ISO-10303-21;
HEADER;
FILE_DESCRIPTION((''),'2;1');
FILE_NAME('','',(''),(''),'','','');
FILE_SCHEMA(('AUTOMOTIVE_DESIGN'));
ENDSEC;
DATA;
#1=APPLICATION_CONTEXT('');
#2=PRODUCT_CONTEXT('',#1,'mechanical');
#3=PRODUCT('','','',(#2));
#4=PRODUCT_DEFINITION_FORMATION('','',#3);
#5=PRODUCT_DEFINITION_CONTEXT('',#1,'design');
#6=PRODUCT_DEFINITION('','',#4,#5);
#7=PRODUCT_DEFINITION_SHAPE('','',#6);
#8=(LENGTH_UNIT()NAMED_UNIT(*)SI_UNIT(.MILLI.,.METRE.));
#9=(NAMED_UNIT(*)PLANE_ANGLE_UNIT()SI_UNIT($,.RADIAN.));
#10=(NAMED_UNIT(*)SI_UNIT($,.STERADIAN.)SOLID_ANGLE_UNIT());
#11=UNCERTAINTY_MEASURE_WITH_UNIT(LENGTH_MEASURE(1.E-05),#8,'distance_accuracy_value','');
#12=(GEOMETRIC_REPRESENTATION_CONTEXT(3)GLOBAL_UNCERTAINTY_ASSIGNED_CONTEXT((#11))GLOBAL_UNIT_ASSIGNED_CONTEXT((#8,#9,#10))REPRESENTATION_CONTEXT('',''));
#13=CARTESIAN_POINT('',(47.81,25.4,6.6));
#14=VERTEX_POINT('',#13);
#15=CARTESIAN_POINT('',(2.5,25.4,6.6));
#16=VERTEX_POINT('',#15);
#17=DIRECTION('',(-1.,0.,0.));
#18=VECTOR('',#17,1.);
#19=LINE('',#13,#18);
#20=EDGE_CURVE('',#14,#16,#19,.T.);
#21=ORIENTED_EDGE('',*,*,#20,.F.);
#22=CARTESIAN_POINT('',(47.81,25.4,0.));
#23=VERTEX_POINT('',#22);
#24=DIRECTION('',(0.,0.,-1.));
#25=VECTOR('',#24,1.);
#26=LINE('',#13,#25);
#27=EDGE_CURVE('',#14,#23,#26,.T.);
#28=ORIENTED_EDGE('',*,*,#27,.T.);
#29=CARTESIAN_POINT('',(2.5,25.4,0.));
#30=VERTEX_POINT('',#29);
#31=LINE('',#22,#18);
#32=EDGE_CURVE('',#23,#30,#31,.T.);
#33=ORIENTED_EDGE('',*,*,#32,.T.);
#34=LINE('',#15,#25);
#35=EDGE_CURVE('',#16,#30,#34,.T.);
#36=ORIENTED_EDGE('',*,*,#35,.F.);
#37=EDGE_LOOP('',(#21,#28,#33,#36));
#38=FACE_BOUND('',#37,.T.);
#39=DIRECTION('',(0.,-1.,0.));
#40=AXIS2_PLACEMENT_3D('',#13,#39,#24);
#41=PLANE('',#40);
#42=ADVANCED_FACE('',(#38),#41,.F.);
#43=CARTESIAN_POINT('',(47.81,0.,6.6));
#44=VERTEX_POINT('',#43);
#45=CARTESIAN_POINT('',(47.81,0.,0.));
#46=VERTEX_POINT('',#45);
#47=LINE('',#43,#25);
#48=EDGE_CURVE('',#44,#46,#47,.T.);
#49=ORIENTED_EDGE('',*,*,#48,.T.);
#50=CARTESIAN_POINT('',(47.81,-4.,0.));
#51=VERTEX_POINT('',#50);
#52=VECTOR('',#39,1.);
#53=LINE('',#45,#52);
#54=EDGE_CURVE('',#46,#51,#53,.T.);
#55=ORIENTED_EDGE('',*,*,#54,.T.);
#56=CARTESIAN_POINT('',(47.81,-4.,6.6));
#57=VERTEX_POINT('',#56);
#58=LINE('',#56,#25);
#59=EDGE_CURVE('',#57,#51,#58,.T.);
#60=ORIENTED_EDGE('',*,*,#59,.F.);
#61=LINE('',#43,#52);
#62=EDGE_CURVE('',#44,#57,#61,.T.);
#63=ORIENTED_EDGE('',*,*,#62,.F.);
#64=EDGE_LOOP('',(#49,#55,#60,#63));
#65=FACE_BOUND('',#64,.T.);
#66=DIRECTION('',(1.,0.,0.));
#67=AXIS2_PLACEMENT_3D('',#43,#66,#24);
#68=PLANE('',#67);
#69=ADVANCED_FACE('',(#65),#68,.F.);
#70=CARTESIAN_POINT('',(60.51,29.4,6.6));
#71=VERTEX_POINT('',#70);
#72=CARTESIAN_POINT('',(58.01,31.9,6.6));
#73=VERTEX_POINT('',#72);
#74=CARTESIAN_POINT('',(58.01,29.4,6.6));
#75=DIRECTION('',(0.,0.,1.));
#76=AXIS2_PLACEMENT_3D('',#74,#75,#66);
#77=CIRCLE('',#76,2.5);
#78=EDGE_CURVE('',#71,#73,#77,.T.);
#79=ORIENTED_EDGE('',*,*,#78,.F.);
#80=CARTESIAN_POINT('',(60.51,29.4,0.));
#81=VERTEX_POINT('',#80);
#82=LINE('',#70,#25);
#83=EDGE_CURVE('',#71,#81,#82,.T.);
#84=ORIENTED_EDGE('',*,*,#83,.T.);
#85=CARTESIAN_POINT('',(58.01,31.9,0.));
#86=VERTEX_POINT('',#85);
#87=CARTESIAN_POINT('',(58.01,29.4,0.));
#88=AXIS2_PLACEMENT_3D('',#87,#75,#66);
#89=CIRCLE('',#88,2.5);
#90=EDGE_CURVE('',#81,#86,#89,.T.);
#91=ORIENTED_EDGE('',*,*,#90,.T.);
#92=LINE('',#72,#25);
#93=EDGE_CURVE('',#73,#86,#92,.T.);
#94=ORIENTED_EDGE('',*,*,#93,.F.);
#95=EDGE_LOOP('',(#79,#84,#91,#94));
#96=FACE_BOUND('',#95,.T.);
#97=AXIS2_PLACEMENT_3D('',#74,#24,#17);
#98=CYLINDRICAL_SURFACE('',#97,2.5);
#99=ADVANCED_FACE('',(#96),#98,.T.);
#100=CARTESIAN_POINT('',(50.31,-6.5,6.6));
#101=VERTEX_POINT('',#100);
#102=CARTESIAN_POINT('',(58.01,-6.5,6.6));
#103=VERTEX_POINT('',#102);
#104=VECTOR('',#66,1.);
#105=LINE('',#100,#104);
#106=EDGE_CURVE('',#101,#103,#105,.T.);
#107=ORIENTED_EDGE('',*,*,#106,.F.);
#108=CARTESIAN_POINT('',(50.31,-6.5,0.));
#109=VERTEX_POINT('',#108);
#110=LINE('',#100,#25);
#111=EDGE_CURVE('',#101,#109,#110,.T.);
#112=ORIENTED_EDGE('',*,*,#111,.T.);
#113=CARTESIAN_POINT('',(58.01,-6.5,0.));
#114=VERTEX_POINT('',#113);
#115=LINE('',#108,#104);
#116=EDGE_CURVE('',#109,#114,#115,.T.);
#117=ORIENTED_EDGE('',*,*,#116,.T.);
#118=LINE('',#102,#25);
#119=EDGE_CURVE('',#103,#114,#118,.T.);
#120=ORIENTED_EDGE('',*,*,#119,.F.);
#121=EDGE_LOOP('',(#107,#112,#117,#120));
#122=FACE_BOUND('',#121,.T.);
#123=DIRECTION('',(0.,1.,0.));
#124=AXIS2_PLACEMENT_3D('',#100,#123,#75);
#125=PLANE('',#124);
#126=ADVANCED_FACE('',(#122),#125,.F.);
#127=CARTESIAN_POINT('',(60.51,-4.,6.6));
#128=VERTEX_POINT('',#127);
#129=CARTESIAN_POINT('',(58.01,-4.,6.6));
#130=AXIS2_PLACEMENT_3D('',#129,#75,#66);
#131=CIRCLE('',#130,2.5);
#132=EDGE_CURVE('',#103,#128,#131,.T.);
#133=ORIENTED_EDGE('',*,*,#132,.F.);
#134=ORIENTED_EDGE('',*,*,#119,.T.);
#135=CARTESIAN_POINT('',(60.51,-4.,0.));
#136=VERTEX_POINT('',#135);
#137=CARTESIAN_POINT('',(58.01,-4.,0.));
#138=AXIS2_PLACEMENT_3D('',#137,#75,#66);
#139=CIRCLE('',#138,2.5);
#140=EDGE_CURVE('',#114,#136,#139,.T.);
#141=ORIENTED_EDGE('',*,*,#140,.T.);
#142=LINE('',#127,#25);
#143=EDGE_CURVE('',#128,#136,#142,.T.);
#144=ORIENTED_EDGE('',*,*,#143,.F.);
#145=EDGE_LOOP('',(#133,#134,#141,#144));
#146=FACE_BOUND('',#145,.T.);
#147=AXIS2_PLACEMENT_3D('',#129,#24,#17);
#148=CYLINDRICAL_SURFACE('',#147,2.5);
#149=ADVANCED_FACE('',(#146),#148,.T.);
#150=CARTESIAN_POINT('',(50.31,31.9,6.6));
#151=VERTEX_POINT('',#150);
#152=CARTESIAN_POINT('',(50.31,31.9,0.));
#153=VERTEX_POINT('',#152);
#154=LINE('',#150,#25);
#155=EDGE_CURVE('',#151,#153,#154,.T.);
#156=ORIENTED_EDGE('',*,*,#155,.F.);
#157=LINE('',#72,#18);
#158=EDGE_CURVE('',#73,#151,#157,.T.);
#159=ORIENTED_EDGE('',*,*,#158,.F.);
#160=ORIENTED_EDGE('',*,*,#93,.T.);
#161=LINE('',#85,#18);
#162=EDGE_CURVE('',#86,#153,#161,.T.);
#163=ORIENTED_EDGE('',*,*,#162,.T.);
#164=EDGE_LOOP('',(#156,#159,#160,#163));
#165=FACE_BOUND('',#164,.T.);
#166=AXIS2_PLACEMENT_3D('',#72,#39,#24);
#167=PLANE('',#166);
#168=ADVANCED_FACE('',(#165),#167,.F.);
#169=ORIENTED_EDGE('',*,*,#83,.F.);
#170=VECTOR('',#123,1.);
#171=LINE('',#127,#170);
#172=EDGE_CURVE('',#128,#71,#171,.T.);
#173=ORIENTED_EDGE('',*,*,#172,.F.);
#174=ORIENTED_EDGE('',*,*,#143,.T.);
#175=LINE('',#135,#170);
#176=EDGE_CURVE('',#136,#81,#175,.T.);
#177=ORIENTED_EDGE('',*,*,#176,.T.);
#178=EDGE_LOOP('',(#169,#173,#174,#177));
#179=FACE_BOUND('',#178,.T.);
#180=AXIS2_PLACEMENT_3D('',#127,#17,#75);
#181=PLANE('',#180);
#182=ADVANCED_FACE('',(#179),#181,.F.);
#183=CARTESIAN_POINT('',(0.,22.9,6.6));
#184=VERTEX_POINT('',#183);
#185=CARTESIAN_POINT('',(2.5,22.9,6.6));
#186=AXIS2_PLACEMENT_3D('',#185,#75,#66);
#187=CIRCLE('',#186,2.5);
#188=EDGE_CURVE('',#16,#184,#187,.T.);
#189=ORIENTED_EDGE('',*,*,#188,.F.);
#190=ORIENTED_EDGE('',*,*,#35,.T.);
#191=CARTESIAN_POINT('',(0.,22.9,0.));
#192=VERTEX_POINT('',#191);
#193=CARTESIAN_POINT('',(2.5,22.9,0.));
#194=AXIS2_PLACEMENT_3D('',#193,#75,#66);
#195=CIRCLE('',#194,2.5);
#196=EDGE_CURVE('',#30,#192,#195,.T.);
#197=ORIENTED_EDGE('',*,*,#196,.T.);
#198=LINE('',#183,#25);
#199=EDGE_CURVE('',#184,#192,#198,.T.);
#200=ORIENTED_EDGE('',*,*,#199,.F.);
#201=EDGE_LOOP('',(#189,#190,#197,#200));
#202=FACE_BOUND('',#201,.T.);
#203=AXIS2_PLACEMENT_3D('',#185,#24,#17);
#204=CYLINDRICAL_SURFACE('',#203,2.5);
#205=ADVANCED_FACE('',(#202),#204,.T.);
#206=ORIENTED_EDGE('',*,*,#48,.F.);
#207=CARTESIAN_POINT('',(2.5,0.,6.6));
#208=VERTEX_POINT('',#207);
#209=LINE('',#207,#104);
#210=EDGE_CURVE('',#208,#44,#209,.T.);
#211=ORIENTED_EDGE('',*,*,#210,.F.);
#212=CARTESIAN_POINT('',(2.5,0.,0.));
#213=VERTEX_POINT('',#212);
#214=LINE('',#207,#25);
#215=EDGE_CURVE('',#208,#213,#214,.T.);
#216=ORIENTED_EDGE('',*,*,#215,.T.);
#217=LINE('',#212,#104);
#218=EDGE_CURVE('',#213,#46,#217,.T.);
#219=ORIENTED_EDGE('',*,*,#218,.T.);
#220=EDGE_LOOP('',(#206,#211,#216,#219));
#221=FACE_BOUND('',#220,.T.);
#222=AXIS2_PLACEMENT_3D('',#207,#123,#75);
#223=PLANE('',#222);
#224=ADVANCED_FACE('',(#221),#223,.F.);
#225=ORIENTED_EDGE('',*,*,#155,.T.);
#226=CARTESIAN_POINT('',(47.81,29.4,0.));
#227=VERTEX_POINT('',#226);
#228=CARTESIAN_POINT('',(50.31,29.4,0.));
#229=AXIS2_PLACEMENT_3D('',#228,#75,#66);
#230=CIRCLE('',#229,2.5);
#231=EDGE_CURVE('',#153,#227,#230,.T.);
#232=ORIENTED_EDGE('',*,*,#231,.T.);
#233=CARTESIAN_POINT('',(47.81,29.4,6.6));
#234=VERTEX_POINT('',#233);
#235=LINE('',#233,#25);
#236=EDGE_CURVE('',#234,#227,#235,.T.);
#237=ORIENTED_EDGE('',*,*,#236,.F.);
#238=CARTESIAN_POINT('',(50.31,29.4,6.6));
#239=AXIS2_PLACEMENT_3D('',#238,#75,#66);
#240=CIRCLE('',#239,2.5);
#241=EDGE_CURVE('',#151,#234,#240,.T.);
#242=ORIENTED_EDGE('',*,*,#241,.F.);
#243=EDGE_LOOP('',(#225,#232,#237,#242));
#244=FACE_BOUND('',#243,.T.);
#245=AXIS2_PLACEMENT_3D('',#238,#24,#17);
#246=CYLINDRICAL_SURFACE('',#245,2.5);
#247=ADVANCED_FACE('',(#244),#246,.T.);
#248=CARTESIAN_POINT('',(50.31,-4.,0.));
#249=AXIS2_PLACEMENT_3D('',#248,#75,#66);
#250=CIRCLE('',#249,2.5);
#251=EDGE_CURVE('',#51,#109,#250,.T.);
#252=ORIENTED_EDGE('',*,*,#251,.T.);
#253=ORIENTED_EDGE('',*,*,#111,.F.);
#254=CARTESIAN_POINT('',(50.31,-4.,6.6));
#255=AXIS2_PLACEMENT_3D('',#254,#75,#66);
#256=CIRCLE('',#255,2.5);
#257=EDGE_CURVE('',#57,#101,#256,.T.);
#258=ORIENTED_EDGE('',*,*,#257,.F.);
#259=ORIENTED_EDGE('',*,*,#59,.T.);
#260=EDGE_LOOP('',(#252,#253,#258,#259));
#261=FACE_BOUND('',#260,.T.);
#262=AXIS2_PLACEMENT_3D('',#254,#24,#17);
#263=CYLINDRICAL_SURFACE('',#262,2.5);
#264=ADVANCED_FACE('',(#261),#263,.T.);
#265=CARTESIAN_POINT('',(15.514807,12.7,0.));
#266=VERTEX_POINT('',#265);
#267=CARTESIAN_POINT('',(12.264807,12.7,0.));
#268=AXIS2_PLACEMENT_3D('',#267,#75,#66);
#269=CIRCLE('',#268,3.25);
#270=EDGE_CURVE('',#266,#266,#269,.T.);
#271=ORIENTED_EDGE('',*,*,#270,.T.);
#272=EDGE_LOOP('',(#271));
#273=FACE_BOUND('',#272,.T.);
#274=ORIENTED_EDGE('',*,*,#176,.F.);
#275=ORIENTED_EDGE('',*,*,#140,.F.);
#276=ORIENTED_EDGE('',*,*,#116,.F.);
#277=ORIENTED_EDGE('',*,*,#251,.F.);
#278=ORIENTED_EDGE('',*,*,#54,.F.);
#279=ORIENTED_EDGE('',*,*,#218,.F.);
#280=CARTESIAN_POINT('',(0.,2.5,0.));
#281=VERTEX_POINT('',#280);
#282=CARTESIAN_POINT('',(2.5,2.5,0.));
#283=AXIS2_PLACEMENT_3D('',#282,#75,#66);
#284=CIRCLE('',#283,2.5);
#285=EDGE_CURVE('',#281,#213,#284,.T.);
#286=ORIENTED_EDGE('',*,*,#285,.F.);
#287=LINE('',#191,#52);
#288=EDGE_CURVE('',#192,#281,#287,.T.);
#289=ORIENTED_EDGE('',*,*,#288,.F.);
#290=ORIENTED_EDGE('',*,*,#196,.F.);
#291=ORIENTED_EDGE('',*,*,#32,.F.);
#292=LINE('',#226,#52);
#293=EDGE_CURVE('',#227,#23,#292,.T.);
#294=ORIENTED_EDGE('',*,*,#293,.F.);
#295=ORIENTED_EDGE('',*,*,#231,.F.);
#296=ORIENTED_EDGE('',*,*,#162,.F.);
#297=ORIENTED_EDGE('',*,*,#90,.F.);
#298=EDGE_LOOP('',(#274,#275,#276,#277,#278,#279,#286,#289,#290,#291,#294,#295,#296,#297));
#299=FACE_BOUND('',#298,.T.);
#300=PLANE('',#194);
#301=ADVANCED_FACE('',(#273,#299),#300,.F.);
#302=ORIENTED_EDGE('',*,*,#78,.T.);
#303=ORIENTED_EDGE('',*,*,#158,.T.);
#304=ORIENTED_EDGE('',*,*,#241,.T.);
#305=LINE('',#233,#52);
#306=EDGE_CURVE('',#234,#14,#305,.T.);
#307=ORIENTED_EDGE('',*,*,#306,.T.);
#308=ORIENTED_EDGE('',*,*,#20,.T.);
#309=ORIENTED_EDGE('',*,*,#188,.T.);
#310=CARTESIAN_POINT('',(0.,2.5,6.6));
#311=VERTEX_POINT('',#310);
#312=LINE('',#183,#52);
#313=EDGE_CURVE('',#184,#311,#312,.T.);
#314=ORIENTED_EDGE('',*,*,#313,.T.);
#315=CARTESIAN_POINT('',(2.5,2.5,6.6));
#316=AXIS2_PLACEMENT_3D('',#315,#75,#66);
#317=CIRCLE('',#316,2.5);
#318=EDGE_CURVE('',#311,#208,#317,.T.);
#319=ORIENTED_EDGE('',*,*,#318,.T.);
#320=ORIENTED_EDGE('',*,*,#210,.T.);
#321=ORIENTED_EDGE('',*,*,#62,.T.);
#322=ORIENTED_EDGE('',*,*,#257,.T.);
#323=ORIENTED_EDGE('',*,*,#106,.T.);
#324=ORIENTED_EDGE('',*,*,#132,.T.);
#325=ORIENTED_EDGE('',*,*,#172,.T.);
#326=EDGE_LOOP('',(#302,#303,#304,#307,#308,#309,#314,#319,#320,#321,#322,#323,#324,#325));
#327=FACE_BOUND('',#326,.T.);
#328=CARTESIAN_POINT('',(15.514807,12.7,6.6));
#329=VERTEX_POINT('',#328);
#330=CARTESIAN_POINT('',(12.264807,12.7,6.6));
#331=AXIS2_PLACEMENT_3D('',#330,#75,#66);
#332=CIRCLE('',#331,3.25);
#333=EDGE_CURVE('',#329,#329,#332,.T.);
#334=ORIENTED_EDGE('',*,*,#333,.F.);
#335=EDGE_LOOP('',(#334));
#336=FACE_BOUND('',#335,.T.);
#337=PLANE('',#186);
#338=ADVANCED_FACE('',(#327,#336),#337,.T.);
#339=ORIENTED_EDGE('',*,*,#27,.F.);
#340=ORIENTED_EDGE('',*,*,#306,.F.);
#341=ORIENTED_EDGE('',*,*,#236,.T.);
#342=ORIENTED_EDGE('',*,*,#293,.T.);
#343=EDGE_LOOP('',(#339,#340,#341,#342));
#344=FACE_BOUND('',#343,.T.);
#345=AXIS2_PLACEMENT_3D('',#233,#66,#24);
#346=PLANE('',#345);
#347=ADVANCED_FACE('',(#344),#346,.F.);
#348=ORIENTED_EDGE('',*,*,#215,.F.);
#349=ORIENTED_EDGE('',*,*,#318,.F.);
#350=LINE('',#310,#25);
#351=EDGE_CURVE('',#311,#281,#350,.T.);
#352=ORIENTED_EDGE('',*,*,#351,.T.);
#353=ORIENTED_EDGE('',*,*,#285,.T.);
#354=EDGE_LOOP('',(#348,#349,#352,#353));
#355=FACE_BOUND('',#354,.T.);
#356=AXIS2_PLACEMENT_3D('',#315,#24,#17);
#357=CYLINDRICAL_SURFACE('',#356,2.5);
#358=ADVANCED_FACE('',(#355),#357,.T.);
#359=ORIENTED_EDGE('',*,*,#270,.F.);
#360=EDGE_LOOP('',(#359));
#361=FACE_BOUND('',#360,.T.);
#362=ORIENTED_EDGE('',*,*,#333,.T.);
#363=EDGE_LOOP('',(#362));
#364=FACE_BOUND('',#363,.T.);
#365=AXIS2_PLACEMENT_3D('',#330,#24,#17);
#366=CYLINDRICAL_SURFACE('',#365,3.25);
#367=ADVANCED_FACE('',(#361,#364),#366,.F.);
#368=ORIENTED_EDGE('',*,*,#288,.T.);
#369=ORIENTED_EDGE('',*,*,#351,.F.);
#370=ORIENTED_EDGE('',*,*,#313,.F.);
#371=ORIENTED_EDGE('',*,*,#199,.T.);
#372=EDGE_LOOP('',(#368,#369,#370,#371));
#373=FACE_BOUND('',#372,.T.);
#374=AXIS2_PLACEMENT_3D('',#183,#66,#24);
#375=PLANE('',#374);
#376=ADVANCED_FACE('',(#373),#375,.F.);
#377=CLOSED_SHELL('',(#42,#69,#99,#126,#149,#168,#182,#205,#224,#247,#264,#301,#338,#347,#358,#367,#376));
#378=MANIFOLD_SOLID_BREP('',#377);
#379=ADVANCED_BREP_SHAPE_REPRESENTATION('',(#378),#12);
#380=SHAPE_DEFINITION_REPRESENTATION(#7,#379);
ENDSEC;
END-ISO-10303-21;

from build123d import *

# Parameters (mm, degrees)
MODEL_R             = 3.25
BOSS_EXTRUDE1_DEPTH = 6.6


with BuildPart() as part:
    # Model → Boss-Extrude1 (new body)
    with BuildSketch(Plane.XY):
        with BuildLine():
            Line((58.01, 31.9), (50.31, 31.9))
            ThreePointArc((50.31, 31.9), (48.542233047, 31.167766953), (47.81, 29.4))
            Line((47.81, 29.4), (47.81, 25.4))
            Line((47.81, 25.4), (2.5, 25.4))
            ThreePointArc((2.5, 25.4), (0.732233047, 24.667766953), (0, 22.9))
            Line((0, 22.9), (0, 2.5))
            ThreePointArc((0, 2.5), (0.732233047, 0.732233047), (2.5, 0))
            Line((2.5, 0), (47.81, 0))
            Line((47.81, 0), (47.81, -4))
            ThreePointArc((47.81, -4), (48.542233047, -5.767766953), (50.31, -6.5))
            Line((50.31, -6.5), (58.01, -6.5))
            ThreePointArc((58.01, -6.5), (59.777766953, -5.767766953), (60.51, -4))
            Line((60.51, -4), (60.51, 29.4))
            ThreePointArc((60.51, 29.4), (59.777766953, 31.167766953), (58.01, 31.9))
        make_face()
        with Locations((12.264807358, 12.7)):
            Circle(MODEL_R, mode=Mode.SUBTRACT)
    extrude(amount=BOSS_EXTRUDE1_DEPTH)


solid = part.part
